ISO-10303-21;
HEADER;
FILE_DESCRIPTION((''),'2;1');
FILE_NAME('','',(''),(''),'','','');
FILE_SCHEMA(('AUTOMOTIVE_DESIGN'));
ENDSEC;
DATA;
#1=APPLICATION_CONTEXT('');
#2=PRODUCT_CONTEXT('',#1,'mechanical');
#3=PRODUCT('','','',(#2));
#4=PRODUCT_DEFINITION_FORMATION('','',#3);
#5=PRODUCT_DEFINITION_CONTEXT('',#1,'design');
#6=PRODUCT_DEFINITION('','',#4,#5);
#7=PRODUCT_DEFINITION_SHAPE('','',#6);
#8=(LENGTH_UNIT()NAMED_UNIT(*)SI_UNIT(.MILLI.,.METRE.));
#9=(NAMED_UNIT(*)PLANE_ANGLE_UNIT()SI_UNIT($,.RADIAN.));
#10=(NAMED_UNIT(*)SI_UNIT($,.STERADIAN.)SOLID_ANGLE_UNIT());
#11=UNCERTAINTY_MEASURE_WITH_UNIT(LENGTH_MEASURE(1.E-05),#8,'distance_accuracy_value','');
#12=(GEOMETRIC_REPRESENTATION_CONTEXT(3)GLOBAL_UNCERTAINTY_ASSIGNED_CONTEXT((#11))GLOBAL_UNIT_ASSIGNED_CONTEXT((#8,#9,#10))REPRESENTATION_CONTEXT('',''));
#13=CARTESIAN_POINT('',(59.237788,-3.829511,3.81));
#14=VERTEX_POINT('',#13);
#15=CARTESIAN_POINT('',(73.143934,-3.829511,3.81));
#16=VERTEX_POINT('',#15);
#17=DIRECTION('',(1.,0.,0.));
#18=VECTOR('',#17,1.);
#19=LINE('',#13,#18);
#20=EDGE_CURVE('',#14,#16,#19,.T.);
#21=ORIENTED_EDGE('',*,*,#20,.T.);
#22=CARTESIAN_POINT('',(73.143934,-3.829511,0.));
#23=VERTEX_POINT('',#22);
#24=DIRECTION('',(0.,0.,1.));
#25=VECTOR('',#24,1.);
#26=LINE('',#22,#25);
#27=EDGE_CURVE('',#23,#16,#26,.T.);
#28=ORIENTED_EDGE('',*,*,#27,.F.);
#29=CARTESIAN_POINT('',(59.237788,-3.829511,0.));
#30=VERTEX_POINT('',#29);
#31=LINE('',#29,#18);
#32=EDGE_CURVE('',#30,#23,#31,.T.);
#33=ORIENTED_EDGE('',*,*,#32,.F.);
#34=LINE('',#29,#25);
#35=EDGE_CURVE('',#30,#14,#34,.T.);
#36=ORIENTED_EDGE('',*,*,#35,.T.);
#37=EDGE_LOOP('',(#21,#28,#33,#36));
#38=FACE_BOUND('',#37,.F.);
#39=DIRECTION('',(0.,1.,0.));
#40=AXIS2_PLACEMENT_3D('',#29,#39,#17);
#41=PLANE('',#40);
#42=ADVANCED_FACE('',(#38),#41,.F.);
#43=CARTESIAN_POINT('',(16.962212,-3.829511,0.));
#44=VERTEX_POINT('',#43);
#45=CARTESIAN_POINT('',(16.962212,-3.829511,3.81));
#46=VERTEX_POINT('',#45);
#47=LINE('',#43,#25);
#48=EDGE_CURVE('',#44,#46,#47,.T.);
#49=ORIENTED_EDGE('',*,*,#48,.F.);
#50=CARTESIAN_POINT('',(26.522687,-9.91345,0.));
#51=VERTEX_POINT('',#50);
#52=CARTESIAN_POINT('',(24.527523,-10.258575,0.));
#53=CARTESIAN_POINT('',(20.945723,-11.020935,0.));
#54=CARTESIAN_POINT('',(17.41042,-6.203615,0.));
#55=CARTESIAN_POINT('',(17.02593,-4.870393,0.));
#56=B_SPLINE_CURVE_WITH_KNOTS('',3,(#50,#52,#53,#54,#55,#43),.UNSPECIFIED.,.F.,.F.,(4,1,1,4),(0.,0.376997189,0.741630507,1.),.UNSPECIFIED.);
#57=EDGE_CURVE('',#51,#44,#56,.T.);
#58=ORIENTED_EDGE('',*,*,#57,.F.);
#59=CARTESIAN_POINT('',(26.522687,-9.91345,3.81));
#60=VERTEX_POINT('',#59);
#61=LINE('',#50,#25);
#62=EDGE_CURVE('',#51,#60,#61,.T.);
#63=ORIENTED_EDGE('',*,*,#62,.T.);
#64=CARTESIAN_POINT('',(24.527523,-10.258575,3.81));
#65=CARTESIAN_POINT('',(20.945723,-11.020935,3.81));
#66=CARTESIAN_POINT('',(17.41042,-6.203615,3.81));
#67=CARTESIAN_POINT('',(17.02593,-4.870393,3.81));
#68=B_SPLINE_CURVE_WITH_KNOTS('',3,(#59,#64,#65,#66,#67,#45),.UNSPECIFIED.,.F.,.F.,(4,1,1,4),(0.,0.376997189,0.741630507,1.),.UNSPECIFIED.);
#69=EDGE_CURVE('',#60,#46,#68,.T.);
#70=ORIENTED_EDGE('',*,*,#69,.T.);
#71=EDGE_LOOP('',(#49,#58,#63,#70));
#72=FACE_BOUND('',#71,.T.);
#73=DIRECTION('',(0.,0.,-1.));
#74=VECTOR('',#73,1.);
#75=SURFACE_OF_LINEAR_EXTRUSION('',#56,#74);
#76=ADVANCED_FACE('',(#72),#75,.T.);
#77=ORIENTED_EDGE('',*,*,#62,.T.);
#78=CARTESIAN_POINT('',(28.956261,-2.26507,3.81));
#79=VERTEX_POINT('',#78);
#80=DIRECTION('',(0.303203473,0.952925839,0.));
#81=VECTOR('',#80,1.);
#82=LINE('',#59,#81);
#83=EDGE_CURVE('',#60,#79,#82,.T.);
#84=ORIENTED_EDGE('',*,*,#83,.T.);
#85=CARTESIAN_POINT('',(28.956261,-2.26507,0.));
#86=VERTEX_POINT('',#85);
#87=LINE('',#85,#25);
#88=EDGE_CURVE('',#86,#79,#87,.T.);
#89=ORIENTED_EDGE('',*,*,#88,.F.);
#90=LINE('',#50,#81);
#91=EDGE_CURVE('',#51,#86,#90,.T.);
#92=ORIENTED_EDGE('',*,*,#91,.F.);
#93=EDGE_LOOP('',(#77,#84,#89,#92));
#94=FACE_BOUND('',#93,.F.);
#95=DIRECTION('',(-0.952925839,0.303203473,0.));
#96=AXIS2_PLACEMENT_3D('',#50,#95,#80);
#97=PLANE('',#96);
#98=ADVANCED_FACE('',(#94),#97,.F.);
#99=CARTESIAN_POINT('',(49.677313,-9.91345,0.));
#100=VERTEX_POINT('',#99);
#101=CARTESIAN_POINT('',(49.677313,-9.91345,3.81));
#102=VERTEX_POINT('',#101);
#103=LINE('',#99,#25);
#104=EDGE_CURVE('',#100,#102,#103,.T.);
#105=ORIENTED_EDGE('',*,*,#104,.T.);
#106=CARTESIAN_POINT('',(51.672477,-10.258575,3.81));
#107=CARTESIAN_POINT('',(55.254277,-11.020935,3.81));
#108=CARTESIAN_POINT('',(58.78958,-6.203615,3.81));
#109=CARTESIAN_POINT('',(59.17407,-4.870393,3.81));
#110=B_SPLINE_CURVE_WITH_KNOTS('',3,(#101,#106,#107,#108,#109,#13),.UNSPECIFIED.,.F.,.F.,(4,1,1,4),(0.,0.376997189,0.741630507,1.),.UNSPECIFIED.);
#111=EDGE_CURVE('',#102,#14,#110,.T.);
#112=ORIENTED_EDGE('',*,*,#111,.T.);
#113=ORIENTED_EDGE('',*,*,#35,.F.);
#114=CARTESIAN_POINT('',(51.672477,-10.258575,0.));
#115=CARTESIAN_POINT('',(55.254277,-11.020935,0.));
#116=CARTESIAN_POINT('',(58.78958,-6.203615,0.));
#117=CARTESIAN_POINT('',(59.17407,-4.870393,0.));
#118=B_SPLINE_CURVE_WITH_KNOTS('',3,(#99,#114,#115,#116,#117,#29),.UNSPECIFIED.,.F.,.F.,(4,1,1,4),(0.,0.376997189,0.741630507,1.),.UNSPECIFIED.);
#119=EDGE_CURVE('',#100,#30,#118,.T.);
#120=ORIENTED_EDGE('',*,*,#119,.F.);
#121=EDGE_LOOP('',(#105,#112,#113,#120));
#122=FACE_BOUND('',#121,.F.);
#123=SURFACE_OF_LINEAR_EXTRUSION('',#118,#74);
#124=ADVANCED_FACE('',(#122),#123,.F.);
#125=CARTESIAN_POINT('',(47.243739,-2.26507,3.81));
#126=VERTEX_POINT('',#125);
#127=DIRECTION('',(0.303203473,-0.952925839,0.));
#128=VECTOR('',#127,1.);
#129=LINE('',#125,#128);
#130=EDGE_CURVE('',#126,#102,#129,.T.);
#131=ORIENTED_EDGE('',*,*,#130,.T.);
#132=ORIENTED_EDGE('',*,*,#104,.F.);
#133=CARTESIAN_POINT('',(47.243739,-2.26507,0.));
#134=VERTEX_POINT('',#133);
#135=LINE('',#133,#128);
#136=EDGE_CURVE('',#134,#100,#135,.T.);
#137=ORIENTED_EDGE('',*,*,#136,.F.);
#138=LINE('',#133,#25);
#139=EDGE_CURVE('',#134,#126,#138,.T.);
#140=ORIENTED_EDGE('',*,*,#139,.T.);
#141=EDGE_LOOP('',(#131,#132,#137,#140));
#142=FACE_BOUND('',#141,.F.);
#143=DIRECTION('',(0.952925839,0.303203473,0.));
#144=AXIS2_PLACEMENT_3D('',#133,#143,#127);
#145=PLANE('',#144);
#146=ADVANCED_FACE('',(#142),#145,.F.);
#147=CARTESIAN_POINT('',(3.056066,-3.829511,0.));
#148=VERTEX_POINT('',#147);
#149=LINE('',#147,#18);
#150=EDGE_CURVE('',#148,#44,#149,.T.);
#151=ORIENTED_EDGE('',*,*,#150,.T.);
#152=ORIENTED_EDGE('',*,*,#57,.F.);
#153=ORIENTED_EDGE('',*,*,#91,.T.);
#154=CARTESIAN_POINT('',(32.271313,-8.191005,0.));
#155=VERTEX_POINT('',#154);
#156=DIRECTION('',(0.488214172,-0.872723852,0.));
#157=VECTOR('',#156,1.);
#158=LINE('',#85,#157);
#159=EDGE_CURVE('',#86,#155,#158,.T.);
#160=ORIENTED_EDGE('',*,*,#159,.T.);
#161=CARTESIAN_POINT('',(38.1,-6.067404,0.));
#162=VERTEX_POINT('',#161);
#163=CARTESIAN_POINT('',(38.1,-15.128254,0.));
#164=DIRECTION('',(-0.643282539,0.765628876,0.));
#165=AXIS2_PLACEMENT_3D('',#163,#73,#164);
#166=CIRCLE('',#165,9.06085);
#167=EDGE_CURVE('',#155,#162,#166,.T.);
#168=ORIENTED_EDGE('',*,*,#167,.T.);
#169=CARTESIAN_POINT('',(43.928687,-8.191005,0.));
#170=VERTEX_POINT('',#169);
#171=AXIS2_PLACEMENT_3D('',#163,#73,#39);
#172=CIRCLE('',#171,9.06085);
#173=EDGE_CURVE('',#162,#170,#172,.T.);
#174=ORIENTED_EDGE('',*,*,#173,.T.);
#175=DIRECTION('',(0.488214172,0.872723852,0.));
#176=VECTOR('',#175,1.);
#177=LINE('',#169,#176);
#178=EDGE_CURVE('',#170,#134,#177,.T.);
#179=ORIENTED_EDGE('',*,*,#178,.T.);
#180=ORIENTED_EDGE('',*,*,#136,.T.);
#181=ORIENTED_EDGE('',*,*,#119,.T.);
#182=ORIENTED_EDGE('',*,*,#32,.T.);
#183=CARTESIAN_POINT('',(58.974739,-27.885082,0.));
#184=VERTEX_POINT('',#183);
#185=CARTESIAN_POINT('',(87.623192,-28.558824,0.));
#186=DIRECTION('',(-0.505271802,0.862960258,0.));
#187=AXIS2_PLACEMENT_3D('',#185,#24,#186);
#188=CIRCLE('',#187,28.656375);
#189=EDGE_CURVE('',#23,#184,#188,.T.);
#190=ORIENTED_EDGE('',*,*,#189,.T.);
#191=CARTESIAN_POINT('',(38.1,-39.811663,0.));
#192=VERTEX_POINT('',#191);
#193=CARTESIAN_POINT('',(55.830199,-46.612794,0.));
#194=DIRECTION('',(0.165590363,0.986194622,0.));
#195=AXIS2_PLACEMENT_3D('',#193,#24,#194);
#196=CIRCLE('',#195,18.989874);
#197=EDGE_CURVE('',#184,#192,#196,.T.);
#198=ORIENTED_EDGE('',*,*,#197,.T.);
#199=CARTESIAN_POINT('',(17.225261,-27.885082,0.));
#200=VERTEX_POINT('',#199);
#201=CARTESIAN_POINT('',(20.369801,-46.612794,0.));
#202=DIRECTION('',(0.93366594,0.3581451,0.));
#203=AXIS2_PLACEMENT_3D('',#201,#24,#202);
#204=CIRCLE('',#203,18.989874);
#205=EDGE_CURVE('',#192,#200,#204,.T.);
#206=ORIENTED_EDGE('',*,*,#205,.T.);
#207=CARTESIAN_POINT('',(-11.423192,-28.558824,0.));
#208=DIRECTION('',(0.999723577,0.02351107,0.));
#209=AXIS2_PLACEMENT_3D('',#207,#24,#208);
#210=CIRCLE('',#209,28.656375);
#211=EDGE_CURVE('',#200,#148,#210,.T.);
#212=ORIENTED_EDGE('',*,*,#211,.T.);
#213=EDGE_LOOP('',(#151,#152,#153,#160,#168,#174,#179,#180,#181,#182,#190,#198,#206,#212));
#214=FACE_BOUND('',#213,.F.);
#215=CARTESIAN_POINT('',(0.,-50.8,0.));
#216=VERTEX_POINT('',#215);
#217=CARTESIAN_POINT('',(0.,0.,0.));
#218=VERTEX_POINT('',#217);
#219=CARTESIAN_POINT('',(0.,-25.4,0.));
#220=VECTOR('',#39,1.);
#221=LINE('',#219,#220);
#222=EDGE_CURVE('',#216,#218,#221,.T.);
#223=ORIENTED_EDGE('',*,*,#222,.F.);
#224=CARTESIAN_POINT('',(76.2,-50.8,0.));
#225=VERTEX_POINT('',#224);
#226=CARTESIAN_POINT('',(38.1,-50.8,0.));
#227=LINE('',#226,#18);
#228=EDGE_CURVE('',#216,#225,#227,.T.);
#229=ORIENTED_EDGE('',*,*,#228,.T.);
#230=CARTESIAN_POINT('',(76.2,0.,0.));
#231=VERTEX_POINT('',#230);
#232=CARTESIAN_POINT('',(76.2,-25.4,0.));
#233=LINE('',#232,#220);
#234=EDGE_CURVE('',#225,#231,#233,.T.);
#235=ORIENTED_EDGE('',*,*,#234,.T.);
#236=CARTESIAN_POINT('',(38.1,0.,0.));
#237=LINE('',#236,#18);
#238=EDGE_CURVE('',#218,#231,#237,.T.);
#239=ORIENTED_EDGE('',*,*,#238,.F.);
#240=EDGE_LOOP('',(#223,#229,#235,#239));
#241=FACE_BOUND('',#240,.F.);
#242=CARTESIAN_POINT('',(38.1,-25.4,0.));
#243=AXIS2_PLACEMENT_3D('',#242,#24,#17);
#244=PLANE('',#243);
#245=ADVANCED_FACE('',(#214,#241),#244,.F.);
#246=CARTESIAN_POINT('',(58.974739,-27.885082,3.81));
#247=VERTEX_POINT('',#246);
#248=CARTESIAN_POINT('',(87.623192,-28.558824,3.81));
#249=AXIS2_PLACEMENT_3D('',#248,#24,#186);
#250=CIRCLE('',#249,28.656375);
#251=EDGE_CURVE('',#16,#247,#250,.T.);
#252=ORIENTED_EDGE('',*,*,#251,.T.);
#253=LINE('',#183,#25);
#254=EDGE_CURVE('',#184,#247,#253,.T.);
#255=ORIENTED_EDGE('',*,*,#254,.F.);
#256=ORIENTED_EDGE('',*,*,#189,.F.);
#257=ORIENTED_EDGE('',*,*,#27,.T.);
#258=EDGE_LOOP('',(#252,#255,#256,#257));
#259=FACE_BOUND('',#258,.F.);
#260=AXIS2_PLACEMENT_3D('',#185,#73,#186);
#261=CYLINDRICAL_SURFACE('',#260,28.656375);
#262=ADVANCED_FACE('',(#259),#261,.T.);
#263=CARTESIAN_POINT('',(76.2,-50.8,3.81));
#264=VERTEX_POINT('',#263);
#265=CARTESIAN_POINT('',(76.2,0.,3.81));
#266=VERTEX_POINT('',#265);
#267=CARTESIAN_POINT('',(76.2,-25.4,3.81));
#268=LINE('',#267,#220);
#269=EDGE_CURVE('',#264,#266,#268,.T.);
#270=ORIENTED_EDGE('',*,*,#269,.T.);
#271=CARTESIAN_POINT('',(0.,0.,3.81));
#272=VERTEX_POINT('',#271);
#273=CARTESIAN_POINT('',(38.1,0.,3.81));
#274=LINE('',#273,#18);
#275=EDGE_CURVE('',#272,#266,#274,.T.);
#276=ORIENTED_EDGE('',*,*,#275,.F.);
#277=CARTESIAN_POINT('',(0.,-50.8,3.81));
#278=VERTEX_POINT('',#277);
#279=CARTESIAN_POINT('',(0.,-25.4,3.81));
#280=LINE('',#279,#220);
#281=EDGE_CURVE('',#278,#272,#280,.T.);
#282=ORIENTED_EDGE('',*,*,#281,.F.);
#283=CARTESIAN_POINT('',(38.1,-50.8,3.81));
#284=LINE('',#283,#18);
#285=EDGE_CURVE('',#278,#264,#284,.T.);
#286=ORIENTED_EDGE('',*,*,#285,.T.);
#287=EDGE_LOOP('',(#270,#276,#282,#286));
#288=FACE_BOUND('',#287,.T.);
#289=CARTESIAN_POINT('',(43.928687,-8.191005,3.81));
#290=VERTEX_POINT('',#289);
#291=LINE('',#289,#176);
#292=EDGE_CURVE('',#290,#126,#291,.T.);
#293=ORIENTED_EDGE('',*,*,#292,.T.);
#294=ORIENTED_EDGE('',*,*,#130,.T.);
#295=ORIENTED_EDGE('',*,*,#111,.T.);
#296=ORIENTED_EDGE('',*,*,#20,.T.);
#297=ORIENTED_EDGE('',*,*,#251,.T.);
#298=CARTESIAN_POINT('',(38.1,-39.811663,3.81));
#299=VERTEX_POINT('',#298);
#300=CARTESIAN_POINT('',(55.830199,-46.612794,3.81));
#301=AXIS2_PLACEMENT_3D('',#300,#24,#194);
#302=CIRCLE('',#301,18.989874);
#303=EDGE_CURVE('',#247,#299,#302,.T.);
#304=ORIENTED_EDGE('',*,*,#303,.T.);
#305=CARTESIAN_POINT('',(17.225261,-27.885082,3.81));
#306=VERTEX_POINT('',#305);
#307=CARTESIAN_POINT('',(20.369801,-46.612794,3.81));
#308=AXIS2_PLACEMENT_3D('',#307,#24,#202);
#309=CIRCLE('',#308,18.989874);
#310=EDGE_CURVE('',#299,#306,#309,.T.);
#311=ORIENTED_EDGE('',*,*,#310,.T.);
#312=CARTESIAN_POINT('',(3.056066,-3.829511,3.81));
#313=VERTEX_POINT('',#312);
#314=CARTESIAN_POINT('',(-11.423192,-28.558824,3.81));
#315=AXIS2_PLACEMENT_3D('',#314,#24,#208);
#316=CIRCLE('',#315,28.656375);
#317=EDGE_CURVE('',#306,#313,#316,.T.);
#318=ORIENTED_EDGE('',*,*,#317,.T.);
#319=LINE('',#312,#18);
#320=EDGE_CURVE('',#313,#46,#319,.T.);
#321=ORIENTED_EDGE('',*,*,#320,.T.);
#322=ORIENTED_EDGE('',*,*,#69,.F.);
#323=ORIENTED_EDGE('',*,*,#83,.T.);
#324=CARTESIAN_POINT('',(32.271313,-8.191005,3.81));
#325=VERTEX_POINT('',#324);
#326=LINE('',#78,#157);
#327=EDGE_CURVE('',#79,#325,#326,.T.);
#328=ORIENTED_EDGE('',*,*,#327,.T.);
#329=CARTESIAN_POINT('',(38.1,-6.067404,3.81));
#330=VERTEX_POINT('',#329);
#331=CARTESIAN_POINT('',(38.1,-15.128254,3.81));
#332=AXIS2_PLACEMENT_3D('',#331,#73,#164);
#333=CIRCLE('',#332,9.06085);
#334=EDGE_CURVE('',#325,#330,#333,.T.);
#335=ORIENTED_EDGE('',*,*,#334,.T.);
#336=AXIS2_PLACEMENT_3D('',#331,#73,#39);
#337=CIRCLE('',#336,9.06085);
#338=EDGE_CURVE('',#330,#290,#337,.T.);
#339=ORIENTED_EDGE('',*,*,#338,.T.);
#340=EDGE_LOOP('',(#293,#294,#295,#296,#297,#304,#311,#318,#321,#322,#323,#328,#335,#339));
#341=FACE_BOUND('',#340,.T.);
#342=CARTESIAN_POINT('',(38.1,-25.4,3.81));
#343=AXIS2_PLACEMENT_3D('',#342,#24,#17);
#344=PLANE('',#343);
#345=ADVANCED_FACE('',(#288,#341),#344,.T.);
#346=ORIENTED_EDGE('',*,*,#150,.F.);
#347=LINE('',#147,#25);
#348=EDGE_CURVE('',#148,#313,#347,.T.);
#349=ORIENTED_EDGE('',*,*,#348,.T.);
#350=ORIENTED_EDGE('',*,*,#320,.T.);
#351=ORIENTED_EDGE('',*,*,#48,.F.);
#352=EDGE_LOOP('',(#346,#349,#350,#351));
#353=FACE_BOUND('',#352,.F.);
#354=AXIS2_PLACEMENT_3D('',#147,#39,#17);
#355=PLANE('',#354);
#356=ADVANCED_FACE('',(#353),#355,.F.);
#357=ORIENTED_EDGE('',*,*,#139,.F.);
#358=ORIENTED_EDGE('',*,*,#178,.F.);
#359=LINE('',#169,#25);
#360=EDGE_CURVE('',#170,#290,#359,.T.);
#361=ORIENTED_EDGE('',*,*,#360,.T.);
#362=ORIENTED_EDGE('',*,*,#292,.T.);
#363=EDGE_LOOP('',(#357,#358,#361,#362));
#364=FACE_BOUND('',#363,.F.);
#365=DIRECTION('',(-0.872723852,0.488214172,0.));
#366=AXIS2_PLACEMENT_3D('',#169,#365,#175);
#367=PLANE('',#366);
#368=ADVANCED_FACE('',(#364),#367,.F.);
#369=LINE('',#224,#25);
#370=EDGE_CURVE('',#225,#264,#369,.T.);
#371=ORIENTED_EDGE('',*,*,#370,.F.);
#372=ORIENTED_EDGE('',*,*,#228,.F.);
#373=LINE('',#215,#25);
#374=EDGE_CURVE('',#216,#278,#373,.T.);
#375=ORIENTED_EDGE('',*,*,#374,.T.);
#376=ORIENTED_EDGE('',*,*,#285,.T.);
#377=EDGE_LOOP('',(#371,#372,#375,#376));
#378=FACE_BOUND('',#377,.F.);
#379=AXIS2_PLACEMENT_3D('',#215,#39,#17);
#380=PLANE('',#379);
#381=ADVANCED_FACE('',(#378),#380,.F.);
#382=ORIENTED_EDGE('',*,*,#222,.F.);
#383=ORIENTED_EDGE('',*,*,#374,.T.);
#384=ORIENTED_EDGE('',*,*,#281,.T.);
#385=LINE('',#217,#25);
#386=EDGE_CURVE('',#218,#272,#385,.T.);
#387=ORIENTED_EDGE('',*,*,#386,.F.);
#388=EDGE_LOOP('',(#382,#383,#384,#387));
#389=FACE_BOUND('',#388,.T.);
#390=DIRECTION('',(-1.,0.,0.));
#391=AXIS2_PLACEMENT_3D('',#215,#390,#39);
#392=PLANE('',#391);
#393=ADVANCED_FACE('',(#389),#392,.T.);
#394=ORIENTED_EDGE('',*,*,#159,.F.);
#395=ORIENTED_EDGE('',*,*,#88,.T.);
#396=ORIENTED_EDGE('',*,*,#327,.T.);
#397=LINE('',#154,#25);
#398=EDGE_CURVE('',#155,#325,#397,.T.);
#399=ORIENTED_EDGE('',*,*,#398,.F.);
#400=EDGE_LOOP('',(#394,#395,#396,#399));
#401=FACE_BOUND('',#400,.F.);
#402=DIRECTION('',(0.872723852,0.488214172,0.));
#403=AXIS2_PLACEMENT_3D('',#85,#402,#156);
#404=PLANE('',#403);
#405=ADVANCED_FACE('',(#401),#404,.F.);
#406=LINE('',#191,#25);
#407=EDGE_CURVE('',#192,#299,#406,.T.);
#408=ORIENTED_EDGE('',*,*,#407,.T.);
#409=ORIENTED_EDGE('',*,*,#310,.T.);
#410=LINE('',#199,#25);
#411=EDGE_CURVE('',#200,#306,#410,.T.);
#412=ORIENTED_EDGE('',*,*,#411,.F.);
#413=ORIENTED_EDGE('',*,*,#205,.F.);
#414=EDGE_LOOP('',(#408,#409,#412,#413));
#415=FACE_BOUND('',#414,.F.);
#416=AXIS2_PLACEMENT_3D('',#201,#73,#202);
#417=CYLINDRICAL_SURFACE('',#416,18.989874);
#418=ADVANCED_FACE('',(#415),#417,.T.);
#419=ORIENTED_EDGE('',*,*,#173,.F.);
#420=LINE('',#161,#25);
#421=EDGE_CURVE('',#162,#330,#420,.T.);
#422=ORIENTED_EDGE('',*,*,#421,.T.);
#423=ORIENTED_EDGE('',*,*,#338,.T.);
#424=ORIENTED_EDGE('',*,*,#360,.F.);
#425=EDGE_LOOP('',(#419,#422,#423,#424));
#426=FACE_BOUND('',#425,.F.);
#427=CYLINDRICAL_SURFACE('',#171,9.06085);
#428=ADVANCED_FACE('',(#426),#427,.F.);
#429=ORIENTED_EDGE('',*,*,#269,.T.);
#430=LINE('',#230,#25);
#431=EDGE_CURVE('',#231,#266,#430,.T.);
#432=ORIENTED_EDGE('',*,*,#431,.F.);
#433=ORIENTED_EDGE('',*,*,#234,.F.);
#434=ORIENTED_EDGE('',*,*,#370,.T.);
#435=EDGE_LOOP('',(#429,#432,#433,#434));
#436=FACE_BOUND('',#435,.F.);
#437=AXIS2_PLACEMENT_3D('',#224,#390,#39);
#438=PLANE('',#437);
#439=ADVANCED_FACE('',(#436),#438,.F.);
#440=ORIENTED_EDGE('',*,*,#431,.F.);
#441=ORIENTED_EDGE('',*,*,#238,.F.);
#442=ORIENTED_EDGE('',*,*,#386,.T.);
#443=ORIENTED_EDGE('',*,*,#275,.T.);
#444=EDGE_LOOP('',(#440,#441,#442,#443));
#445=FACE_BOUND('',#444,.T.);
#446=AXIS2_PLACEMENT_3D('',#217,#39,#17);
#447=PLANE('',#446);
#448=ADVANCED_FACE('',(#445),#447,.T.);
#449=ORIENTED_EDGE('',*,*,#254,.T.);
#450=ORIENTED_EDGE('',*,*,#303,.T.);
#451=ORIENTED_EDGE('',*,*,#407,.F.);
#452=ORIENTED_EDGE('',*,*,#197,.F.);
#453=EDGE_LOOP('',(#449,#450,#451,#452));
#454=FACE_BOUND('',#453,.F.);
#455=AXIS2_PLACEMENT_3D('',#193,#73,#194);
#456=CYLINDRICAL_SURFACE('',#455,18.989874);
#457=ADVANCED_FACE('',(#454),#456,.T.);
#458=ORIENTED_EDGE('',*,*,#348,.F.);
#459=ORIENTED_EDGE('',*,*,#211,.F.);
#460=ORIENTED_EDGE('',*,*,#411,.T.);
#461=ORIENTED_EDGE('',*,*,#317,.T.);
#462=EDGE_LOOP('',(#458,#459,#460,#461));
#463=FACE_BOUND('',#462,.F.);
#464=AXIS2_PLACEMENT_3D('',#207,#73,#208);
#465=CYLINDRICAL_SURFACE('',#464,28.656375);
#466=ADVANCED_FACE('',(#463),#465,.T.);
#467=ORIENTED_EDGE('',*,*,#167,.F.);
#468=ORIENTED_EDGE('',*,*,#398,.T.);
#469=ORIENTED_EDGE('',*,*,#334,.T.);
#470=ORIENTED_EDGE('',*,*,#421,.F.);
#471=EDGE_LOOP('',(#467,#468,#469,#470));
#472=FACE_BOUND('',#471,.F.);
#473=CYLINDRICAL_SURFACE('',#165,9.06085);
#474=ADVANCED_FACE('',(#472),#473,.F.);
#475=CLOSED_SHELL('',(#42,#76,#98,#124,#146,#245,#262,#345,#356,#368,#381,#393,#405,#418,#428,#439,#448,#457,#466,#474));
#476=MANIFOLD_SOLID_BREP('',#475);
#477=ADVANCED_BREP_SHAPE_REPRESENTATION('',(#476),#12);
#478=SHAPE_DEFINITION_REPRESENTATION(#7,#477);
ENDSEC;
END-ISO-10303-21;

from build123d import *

# Parameters (mm, degrees)
F0_W     = 76.2
F0_H     = 50.8
F1_DEPTH = 3.81


with BuildPart() as f1:
    # F0 (on Top) → F1 (new body)
    with BuildSketch(Plane.XY):
        with Locations((38.1, -25.4)):
            Rectangle(F0_W, F0_H)
        with BuildLine():
            ThreePointArc((32.2713132698, -8.1910053984), (34.9982556126, -6.6148416969), (38.1, -6.0674037456))
            ThreePointArc((38.1, -6.0674037456), (41.2017443874, -6.6148416969), (43.9286867302, -8.1910053984))
            Line((43.9286867302, -8.1910053984), (47.2437394679, -2.2650700994))
            Line((47.2437394679, -2.2650700994), (49.677313295, -9.913450107))
            add(Edge.make_bspline(
                [(49.677313295, -9.913450107), (51.6724769061, -10.2585751247), (55.2542770973, -11.020934668), (58.7895795079, -6.2036148671), (59.1740704256, -4.8703926058), (59.2377884209, -3.8295113482)],
                knots=[0, 0, 0, 0, 0.376997189, 0.741630507, 1, 1, 1, 1], degree=3))
            Line((59.2377884209, -3.8295113482), (73.1439341221, -3.8295113482))
            ThreePointArc((73.1439341221, -3.8295113482), (62.9317463629, -14.0150858198), (58.9747386434, -27.8850820726))
            ThreePointArc((58.9747386434, -27.8850820726), (46.4096787445, -30.1243394887), (38.1, -39.8116633296))
            ThreePointArc((38.1, -39.8116633296), (29.7903212555, -30.1243394887), (17.2252613566, -27.8850820726))
            ThreePointArc((17.2252613566, -27.8850820726), (13.2682536371, -14.0150858198), (3.0560658779, -3.8295113482))
            Line((3.0560658779, -3.8295113482), (16.9622115791, -3.8295113482))
            add(Edge.make_bspline(
                [(26.522686705, -9.913450107), (24.5275230939, -10.2585751247), (20.9457229027, -11.020934668), (17.4104204921, -6.2036148671), (17.0259295744, -4.8703926058), (16.9622115791, -3.8295113482)],
                knots=[0, 0, 0, 0, 0.376997189, 0.741630507, 1, 1, 1, 1], degree=3))
            Line((26.522686705, -9.913450107), (28.9562605321, -2.2650700994))
            Line((28.9562605321, -2.2650700994), (32.2713132698, -8.1910053984))
        make_face(mode=Mode.SUBTRACT)
    extrude(amount=F1_DEPTH)


solid = f1.part
